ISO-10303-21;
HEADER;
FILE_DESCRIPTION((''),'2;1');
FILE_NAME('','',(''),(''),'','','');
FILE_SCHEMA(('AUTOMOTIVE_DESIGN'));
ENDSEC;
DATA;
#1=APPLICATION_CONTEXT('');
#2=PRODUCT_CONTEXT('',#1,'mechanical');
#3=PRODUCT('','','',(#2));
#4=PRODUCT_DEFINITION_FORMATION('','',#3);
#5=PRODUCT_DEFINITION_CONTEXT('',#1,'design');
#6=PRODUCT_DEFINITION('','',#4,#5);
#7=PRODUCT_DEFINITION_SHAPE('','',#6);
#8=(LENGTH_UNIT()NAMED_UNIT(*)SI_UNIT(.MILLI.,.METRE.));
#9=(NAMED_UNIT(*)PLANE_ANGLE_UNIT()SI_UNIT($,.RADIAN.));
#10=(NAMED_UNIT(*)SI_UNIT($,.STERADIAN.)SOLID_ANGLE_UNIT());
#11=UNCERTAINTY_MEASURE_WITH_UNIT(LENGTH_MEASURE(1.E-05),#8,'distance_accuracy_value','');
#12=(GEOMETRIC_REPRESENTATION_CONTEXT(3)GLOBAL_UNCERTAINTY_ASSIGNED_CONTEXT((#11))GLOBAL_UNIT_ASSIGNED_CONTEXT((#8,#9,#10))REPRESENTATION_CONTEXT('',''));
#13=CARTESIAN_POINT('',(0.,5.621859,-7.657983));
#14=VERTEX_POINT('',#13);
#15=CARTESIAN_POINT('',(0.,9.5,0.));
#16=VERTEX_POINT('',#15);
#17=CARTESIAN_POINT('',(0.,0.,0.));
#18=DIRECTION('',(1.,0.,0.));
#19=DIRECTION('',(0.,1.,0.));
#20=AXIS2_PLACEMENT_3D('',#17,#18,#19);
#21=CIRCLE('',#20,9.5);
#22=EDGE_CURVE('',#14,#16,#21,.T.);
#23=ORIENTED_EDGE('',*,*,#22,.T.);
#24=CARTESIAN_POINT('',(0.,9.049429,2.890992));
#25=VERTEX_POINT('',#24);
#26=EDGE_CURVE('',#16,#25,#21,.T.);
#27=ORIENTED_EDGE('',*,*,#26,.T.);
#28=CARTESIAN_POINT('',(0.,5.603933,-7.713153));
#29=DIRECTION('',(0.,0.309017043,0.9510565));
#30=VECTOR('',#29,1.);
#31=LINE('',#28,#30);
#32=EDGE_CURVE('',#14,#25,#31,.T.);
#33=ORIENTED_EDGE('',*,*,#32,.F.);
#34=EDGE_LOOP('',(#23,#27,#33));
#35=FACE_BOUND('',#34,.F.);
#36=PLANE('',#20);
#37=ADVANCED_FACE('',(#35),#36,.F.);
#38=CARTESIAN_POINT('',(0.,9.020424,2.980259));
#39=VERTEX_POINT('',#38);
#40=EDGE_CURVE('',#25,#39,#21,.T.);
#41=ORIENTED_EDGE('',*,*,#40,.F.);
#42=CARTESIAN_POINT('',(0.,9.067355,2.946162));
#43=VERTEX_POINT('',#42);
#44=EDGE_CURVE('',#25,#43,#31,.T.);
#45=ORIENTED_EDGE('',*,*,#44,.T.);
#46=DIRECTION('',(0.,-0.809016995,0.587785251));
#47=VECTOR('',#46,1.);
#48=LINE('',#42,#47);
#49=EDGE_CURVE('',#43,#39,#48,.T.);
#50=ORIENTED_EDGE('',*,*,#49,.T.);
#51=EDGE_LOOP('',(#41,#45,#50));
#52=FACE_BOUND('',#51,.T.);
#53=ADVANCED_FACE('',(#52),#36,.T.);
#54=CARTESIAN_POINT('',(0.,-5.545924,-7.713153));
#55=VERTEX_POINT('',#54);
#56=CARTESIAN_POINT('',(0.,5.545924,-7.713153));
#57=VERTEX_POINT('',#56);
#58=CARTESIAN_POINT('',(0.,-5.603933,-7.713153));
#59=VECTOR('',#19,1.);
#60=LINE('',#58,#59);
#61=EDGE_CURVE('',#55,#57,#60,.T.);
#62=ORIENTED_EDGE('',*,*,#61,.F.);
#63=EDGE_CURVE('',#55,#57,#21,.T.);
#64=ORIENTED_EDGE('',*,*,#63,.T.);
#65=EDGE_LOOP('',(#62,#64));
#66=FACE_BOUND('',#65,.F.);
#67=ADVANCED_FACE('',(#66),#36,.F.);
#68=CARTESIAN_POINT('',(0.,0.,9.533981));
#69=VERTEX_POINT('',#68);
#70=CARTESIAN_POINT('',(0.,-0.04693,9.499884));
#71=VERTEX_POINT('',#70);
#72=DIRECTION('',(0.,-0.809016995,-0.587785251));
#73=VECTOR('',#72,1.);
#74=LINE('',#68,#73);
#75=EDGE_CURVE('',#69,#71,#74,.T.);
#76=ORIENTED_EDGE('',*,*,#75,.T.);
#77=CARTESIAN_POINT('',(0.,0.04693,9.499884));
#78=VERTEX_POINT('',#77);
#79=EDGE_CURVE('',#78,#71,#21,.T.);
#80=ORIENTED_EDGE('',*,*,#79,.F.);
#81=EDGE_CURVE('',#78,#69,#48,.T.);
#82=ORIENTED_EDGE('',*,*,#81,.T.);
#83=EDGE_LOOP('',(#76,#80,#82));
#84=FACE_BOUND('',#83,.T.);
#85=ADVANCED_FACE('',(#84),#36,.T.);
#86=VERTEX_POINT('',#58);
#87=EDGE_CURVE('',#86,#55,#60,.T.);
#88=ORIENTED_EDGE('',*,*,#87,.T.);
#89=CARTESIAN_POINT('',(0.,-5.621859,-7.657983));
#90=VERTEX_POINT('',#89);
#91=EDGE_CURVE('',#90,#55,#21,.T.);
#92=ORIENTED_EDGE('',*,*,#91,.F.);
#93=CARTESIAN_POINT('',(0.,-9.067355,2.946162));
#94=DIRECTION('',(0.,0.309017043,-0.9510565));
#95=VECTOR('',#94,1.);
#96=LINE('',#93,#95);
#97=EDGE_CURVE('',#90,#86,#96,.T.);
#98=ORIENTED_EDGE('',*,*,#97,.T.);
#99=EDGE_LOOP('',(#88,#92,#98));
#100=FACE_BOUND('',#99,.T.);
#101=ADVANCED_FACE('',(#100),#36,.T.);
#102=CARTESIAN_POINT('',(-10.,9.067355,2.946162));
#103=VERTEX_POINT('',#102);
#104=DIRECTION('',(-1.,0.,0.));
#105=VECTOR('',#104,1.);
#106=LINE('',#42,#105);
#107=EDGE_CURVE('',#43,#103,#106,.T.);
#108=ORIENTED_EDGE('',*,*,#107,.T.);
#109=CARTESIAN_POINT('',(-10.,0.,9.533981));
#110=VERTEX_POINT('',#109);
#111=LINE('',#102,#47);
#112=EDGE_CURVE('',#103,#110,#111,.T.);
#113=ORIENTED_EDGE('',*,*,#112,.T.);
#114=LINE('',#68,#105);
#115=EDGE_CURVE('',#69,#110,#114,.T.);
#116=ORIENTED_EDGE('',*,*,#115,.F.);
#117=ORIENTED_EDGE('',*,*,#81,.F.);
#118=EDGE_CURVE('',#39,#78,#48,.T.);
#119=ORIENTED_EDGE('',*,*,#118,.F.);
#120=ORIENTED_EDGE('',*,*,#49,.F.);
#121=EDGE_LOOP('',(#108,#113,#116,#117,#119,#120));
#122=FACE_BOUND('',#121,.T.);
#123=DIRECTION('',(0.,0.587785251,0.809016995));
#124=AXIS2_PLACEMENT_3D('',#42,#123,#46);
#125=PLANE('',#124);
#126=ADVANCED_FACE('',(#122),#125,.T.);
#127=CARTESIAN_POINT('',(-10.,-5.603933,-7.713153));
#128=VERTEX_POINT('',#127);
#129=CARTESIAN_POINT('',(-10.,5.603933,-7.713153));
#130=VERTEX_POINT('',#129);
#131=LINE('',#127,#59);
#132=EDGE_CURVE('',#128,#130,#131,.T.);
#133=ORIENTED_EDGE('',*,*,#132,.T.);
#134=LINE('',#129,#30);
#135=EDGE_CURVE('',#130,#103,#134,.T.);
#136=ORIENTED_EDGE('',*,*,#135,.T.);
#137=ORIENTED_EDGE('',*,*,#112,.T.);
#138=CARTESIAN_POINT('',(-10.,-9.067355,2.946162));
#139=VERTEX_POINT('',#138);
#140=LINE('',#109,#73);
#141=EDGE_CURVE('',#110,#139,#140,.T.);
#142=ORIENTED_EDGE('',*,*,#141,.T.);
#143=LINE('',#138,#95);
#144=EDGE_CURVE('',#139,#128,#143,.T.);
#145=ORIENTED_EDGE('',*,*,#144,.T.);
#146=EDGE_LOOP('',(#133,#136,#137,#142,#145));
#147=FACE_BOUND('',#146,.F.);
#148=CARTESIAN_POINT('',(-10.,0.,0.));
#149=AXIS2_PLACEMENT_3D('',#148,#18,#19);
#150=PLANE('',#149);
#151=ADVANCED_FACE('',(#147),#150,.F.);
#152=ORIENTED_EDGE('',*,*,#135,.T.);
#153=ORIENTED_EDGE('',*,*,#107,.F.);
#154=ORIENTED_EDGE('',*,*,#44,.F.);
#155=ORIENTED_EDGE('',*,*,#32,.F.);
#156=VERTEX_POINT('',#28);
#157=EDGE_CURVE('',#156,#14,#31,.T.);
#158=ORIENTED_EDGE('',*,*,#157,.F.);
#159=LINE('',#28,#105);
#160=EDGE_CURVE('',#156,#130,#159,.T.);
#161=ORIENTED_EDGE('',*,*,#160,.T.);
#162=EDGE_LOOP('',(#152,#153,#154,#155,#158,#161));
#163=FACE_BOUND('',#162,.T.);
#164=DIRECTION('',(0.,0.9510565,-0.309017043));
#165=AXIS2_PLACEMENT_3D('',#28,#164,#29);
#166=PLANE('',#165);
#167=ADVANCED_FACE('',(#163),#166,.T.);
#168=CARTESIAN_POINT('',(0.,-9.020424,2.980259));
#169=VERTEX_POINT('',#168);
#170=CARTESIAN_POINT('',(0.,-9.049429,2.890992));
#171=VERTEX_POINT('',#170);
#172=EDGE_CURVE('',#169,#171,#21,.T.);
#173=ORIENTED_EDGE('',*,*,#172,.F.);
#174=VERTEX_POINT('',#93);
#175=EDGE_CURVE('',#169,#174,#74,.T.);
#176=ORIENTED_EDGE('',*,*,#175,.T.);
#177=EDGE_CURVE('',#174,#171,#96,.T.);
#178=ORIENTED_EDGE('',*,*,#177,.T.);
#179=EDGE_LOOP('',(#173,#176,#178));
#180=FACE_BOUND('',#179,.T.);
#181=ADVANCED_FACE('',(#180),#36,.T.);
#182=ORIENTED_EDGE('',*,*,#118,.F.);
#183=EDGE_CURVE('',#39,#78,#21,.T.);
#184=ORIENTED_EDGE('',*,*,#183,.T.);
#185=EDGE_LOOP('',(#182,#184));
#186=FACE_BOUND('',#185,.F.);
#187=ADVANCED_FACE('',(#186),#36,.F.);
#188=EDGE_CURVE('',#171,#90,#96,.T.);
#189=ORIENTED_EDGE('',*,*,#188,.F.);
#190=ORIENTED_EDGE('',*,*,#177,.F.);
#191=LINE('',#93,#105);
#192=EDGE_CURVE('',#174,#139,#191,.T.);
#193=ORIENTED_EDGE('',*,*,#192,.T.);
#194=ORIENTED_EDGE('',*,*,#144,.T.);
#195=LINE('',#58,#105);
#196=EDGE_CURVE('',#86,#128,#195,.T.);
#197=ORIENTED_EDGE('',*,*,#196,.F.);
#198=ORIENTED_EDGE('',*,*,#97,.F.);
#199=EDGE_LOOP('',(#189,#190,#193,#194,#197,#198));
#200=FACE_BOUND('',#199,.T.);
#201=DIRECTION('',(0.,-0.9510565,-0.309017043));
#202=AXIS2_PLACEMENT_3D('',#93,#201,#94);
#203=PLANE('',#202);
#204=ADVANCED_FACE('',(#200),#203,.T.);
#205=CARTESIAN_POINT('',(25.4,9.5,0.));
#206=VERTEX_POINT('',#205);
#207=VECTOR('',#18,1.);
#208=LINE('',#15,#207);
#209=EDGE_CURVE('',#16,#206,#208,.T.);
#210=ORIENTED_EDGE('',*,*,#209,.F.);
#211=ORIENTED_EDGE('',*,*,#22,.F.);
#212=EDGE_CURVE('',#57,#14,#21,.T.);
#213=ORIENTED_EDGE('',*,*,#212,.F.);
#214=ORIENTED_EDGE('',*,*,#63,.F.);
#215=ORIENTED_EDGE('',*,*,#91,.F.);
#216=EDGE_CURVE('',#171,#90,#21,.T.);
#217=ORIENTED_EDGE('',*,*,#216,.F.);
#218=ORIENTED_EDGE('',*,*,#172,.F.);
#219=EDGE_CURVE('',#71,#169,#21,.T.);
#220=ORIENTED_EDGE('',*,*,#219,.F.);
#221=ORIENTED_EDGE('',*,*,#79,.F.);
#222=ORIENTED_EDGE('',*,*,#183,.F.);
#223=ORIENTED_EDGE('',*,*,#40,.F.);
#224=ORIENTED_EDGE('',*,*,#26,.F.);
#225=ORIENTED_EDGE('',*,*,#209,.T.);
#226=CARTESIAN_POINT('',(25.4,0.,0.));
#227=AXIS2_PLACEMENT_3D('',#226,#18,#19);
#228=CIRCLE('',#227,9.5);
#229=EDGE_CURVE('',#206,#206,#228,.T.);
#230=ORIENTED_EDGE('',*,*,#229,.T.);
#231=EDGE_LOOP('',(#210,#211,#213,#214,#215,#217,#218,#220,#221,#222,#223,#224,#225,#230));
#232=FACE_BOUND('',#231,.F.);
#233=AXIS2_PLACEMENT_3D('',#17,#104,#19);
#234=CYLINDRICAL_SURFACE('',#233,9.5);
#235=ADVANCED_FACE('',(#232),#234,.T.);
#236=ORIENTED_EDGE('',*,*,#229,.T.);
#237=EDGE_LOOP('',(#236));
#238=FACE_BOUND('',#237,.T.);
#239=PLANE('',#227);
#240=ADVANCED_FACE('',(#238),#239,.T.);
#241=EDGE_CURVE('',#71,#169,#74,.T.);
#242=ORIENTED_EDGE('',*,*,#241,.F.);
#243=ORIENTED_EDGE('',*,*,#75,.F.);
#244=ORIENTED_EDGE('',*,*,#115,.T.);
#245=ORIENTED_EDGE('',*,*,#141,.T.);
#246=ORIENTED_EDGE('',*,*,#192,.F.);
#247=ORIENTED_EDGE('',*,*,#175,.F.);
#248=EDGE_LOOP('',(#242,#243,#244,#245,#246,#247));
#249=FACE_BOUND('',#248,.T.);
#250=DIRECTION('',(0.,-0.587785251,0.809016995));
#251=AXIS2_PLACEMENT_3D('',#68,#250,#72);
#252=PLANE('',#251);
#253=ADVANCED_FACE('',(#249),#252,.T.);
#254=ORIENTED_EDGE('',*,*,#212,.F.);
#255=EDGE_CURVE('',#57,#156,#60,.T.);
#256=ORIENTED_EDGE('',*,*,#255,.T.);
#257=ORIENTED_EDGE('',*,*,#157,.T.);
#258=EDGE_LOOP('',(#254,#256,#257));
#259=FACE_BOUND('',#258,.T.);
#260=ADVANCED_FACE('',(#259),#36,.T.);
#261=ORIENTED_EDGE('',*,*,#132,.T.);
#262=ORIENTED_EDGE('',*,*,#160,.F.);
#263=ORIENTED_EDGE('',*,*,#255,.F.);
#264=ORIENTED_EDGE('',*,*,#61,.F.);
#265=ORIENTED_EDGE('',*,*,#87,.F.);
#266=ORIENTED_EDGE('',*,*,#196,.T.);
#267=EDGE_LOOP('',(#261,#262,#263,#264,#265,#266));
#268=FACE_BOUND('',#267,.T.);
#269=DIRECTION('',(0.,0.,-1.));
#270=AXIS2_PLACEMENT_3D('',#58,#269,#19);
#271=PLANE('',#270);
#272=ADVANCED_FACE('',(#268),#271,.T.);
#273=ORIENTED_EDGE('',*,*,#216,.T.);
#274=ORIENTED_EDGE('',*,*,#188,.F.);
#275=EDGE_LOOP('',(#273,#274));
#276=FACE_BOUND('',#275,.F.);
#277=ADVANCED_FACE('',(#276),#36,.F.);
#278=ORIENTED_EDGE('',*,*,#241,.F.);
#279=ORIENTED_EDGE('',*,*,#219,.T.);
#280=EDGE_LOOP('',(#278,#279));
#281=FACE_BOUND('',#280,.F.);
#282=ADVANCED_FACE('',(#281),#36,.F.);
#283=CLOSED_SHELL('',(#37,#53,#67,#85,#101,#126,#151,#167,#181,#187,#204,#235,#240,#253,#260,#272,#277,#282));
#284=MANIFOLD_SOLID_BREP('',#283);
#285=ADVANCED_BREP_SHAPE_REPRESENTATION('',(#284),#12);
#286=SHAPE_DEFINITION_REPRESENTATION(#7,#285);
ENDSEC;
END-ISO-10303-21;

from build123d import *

# Parameters (mm, degrees)
F0_R     = 9.5
F2_DEPTH = 25.4
F3_DEPTH = 10


with BuildPart() as f2:
    # F0 (on Right) → F2 (new body)
    with BuildSketch(Plane.YZ):
        Circle(F0_R)
    extrude(amount=F2_DEPTH)

    # F1 (on Right) → F3 (join)
    with BuildSketch(Plane.YZ):
        Polygon((9.067355, 2.946162), (0, 9.533981), (-9.067355, 2.946162), (-5.603933, -7.713153), (5.603933, -7.713153), align=None)
    extrude(amount=-F3_DEPTH)


solid = f2.part
